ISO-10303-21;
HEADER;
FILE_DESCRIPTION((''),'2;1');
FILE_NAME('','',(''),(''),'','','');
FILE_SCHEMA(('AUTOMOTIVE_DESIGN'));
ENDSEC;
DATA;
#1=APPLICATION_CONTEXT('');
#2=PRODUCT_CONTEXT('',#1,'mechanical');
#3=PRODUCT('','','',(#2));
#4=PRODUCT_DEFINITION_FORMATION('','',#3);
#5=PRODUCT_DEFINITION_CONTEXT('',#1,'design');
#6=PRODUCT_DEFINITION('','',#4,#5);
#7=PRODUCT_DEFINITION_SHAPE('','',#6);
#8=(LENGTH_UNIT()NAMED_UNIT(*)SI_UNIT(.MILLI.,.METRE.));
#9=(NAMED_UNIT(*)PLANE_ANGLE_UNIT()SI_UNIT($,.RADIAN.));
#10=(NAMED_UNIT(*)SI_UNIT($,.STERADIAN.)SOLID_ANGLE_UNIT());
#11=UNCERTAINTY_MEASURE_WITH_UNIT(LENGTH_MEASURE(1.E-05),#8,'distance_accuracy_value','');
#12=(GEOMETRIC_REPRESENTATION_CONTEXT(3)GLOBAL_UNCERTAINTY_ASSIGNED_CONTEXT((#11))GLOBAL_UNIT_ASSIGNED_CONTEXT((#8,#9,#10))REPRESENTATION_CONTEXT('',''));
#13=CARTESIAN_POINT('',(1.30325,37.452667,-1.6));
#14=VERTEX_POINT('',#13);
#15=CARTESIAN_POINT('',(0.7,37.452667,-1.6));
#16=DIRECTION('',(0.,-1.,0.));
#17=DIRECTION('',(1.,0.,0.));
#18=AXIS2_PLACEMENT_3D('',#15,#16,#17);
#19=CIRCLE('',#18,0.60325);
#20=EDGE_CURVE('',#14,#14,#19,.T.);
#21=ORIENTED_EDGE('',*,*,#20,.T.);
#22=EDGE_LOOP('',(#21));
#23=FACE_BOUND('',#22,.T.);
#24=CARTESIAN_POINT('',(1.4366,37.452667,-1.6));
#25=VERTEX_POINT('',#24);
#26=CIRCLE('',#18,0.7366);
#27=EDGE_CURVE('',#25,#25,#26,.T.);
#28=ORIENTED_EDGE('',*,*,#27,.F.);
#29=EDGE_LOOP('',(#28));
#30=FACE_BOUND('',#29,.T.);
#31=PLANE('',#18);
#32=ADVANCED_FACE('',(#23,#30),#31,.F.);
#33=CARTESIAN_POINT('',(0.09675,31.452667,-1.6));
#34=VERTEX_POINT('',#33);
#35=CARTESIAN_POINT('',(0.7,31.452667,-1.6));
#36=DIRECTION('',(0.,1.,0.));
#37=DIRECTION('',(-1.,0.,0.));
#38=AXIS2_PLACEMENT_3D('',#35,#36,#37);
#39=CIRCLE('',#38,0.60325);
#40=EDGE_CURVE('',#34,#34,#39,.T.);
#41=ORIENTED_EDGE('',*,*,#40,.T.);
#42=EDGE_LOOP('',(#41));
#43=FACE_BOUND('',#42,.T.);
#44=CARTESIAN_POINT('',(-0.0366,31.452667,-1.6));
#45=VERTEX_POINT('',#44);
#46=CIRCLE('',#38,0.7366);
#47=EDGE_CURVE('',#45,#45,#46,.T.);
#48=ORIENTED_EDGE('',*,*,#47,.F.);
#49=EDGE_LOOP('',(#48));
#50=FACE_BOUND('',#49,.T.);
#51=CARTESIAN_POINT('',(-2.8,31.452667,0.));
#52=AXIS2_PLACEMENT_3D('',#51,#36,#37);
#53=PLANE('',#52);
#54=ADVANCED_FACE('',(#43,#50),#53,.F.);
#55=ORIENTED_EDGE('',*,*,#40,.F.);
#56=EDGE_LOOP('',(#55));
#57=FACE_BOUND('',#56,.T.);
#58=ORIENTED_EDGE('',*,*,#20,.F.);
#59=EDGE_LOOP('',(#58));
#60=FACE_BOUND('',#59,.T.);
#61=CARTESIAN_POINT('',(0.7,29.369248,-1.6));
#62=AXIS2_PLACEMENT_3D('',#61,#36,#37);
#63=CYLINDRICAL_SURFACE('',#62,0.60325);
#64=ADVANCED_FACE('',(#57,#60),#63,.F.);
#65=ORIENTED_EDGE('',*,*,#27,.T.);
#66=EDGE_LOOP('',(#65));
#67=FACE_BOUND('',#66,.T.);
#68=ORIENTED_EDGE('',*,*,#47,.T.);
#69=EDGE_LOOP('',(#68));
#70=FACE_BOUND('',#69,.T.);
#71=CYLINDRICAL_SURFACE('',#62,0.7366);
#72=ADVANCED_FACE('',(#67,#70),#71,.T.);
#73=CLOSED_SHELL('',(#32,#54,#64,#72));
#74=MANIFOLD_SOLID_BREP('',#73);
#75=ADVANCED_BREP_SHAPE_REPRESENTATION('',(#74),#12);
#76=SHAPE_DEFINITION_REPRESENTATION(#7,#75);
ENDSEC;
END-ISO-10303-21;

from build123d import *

# Parameters (mm, degrees)
SKETCH1_R           = 0.7366
SKETCH1_R_2         = 0.60325
BOSS_EXTRUDE1_DEPTH = 6


with BuildPart() as part:
    # Sketch1 → Boss-Extrude1 (new body)
    with BuildSketch(Plane.XZ.offset(-37.452667034)):
        with Locations(Location((0.7, -1.6, 0), (0, 0, 180))):
            Circle(SKETCH1_R)
        with Locations(Location((0.7, -1.6, 0), (0, 0, 180))):
            Circle(SKETCH1_R_2, mode=Mode.SUBTRACT)
    extrude(amount=BOSS_EXTRUDE1_DEPTH)


solid = part.part
